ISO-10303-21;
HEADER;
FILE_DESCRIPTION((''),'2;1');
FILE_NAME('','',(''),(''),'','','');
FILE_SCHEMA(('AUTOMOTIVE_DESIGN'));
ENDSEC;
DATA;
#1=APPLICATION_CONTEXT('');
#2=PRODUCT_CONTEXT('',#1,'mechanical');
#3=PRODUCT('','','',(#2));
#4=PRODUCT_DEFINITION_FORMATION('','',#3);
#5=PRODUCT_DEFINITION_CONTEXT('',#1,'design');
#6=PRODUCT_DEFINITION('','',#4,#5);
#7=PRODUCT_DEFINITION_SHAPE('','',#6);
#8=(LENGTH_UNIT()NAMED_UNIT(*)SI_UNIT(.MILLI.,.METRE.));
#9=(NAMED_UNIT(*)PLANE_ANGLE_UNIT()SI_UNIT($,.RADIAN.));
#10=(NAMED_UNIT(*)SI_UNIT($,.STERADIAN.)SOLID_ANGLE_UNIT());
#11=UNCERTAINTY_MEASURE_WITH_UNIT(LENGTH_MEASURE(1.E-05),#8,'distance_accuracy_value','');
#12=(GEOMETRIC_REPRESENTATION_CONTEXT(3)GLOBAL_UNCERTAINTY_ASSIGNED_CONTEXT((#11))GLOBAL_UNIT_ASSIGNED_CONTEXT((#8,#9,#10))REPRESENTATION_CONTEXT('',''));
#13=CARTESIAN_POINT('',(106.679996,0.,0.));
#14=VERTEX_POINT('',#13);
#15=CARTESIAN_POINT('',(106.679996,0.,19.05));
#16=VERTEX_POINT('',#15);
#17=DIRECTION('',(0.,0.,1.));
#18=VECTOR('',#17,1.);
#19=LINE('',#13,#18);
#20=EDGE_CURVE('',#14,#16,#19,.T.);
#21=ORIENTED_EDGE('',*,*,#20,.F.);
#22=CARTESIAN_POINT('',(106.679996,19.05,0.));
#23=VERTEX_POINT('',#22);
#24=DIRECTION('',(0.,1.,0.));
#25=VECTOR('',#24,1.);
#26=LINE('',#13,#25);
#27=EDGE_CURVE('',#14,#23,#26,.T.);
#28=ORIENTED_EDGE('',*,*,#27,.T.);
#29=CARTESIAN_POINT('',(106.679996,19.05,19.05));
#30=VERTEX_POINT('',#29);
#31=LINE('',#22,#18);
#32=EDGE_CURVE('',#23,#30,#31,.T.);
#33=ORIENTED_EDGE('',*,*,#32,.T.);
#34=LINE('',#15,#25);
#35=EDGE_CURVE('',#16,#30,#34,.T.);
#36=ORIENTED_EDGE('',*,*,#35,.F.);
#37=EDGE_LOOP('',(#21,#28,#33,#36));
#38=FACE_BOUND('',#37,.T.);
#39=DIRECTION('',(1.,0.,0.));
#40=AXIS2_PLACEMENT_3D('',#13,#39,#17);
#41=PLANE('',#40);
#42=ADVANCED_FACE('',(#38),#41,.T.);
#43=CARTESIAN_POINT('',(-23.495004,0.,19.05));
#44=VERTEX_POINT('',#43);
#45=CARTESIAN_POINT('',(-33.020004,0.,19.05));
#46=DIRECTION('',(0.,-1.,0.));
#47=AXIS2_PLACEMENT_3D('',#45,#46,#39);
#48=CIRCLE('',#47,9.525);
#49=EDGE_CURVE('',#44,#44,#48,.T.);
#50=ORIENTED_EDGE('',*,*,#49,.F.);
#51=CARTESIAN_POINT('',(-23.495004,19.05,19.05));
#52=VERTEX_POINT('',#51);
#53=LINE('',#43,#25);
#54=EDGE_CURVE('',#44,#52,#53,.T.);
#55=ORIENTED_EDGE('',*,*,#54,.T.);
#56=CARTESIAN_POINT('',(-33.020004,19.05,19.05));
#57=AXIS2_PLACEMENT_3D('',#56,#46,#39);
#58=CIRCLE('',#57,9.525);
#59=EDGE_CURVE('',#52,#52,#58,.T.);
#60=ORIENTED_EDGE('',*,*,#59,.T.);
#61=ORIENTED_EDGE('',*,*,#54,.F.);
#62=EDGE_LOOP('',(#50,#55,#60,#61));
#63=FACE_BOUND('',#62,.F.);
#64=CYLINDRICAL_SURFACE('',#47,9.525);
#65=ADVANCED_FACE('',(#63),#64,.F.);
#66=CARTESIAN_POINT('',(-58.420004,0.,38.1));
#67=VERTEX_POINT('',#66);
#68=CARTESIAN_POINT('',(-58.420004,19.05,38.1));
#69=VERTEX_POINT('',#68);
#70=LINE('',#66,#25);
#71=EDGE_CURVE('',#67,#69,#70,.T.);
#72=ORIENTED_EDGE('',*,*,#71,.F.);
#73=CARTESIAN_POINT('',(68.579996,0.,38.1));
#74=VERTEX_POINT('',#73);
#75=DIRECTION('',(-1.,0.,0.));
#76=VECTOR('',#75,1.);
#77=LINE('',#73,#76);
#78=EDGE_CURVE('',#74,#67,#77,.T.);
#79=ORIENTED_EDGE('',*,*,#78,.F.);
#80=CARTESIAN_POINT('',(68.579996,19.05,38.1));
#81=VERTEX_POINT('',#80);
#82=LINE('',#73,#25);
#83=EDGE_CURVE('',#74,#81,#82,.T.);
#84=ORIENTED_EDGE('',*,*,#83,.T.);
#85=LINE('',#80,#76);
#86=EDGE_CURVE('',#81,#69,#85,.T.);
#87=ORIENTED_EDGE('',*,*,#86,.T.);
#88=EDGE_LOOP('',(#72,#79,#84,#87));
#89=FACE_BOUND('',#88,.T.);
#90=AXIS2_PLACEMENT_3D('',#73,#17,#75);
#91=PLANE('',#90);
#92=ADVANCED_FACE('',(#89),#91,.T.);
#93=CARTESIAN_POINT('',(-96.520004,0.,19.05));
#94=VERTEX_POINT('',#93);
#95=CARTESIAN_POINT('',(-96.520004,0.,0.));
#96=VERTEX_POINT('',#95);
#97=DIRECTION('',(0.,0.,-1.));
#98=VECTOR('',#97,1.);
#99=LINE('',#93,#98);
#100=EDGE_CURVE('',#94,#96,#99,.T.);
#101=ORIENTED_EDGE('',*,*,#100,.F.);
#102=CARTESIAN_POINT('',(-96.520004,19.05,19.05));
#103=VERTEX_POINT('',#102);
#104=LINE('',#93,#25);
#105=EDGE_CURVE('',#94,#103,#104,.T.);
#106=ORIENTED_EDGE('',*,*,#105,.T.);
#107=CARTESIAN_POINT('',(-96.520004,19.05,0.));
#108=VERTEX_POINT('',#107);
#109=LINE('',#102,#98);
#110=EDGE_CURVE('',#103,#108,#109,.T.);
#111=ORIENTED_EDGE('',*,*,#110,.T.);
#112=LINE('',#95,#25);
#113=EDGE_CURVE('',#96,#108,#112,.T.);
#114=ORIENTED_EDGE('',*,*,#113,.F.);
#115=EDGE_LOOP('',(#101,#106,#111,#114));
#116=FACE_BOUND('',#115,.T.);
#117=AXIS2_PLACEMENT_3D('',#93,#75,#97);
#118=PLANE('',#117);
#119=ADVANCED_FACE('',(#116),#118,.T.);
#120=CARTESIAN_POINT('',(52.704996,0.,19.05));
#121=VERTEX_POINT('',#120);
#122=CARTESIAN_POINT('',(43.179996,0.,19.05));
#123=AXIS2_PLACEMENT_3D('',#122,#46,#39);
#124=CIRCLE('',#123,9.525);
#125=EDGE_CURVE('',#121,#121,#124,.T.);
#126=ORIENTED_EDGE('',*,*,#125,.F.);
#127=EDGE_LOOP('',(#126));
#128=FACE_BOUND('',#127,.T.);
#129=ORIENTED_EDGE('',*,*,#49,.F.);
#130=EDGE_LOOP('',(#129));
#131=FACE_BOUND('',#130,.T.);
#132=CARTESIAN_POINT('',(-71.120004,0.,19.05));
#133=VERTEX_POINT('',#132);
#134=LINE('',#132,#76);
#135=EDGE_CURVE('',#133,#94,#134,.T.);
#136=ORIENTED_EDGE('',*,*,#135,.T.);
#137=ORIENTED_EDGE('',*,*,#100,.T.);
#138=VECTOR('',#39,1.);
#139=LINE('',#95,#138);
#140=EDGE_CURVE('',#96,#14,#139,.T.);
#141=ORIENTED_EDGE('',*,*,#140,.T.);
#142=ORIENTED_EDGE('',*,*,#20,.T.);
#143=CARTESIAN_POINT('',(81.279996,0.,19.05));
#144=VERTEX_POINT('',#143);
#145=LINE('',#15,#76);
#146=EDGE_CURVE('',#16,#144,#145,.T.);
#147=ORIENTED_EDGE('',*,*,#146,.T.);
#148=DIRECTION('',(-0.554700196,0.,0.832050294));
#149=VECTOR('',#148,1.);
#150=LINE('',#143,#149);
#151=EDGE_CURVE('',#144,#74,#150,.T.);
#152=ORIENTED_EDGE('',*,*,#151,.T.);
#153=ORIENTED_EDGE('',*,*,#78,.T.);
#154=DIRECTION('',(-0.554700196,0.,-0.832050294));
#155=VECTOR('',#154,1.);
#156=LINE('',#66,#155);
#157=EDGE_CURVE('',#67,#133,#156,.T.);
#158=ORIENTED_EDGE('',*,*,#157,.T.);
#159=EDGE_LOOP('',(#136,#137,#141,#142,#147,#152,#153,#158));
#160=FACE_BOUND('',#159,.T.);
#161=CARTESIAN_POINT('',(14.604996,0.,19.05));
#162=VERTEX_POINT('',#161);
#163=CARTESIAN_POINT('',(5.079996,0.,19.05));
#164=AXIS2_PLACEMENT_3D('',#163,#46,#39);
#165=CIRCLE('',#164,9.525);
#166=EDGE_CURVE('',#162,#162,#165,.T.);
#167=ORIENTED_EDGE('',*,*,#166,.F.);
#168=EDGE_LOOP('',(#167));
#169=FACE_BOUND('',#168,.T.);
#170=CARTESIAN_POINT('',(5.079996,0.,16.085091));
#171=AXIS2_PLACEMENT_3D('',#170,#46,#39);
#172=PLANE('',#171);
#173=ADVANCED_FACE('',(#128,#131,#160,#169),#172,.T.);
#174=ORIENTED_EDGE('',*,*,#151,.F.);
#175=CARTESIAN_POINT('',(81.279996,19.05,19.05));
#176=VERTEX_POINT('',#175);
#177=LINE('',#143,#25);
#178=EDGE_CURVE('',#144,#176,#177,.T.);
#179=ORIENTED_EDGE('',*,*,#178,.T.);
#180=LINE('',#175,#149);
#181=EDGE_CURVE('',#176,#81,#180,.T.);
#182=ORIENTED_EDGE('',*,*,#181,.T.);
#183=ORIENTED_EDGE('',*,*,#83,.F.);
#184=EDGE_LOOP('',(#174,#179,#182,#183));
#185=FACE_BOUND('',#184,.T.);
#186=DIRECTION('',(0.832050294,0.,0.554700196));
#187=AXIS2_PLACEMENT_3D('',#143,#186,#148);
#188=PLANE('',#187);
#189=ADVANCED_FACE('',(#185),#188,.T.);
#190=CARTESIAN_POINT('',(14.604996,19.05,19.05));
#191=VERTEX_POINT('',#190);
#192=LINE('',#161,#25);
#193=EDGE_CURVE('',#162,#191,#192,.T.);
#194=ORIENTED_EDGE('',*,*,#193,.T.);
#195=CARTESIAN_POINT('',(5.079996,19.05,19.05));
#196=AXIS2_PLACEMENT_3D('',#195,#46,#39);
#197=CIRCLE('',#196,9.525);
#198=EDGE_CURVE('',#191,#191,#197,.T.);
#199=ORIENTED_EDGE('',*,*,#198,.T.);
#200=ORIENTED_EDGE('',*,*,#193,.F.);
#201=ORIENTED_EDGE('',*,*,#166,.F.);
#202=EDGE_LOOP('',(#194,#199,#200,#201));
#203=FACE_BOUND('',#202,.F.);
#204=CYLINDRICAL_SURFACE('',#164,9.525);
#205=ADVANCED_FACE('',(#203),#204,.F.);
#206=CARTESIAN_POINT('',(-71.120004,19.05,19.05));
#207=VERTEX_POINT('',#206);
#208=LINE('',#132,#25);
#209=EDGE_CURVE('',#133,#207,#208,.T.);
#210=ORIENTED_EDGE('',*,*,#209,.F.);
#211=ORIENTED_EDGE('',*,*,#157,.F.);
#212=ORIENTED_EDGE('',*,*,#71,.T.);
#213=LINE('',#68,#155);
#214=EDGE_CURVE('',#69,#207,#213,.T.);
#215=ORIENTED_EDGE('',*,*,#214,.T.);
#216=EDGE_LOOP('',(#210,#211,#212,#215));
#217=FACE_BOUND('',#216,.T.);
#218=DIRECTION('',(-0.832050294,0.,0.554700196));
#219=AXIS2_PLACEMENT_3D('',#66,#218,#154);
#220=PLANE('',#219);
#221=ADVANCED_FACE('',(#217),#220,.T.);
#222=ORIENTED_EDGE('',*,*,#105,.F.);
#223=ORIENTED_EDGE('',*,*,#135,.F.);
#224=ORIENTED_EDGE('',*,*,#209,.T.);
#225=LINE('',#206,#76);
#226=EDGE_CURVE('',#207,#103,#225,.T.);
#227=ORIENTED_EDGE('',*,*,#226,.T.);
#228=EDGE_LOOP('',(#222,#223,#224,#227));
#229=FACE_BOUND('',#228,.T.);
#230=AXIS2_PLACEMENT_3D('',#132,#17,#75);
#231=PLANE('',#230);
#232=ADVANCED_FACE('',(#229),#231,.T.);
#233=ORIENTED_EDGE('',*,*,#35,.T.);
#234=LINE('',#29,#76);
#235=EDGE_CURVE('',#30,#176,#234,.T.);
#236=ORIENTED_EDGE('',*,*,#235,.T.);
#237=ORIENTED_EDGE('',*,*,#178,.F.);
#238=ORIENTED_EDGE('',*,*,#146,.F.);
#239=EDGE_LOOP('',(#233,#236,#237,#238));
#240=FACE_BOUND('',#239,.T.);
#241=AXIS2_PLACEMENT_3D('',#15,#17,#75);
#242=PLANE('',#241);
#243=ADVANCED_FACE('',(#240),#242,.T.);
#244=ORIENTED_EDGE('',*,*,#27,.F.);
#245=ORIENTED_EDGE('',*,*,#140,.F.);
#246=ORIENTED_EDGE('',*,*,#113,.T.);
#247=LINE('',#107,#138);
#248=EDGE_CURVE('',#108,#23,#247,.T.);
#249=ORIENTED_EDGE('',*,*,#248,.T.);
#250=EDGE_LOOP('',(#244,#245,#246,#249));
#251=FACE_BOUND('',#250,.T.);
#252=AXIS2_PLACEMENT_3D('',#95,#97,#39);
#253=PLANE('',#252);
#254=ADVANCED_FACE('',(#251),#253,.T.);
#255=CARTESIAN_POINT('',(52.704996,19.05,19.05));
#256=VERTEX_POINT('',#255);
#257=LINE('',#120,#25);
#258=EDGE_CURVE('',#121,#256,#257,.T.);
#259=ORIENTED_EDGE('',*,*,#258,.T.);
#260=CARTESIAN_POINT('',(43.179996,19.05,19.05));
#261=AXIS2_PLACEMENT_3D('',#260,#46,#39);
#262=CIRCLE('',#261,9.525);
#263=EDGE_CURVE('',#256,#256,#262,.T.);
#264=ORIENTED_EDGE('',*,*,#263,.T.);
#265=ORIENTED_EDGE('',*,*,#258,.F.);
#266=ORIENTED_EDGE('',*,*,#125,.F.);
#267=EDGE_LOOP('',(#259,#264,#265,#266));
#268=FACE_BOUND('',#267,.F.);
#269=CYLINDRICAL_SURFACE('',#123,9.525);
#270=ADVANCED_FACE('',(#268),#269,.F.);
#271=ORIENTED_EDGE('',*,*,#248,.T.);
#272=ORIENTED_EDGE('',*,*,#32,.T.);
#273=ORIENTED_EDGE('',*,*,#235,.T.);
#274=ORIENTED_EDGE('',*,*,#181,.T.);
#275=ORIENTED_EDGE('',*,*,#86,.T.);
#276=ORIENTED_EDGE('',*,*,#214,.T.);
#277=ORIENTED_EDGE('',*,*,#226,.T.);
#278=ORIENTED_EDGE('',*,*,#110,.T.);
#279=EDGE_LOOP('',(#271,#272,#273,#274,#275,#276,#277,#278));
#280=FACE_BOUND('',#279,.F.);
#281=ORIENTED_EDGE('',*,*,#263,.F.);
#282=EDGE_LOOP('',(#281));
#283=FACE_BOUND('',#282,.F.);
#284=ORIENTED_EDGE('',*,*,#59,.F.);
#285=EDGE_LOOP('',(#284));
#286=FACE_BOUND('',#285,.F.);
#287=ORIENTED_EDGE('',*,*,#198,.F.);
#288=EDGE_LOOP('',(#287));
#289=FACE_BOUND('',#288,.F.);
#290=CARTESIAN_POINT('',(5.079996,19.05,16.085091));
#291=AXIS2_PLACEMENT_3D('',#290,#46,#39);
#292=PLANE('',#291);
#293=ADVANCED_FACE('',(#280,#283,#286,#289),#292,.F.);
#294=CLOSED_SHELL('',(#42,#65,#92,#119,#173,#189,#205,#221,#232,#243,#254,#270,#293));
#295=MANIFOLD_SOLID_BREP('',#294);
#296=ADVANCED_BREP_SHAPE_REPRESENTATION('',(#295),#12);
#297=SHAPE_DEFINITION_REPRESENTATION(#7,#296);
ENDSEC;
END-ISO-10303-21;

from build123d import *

# Parameters (mm, degrees)
F0_R     = 9.525
F1_DEPTH = 19.05


with BuildPart() as f1:
    # F0 (on Front) → F1 (new body)
    with BuildSketch(Plane.XZ):
        Polygon((-96.520004, 19.05), (-96.520004, 0), (106.679996, 0), (106.679996, 19.05), (81.279996, 19.05), (68.579996, 38.1), (-58.420004, 38.1), (-71.120004, 19.05), align=None)
        with Locations((-33.020004, 19.05)):
            Circle(F0_R, mode=Mode.SUBTRACT)
        with Locations((5.079996, 19.05)):
            Circle(F0_R, mode=Mode.SUBTRACT)
        with Locations((43.179996, 19.05)):
            Circle(F0_R, mode=Mode.SUBTRACT)
    extrude(amount=-F1_DEPTH)


solid = f1.part
